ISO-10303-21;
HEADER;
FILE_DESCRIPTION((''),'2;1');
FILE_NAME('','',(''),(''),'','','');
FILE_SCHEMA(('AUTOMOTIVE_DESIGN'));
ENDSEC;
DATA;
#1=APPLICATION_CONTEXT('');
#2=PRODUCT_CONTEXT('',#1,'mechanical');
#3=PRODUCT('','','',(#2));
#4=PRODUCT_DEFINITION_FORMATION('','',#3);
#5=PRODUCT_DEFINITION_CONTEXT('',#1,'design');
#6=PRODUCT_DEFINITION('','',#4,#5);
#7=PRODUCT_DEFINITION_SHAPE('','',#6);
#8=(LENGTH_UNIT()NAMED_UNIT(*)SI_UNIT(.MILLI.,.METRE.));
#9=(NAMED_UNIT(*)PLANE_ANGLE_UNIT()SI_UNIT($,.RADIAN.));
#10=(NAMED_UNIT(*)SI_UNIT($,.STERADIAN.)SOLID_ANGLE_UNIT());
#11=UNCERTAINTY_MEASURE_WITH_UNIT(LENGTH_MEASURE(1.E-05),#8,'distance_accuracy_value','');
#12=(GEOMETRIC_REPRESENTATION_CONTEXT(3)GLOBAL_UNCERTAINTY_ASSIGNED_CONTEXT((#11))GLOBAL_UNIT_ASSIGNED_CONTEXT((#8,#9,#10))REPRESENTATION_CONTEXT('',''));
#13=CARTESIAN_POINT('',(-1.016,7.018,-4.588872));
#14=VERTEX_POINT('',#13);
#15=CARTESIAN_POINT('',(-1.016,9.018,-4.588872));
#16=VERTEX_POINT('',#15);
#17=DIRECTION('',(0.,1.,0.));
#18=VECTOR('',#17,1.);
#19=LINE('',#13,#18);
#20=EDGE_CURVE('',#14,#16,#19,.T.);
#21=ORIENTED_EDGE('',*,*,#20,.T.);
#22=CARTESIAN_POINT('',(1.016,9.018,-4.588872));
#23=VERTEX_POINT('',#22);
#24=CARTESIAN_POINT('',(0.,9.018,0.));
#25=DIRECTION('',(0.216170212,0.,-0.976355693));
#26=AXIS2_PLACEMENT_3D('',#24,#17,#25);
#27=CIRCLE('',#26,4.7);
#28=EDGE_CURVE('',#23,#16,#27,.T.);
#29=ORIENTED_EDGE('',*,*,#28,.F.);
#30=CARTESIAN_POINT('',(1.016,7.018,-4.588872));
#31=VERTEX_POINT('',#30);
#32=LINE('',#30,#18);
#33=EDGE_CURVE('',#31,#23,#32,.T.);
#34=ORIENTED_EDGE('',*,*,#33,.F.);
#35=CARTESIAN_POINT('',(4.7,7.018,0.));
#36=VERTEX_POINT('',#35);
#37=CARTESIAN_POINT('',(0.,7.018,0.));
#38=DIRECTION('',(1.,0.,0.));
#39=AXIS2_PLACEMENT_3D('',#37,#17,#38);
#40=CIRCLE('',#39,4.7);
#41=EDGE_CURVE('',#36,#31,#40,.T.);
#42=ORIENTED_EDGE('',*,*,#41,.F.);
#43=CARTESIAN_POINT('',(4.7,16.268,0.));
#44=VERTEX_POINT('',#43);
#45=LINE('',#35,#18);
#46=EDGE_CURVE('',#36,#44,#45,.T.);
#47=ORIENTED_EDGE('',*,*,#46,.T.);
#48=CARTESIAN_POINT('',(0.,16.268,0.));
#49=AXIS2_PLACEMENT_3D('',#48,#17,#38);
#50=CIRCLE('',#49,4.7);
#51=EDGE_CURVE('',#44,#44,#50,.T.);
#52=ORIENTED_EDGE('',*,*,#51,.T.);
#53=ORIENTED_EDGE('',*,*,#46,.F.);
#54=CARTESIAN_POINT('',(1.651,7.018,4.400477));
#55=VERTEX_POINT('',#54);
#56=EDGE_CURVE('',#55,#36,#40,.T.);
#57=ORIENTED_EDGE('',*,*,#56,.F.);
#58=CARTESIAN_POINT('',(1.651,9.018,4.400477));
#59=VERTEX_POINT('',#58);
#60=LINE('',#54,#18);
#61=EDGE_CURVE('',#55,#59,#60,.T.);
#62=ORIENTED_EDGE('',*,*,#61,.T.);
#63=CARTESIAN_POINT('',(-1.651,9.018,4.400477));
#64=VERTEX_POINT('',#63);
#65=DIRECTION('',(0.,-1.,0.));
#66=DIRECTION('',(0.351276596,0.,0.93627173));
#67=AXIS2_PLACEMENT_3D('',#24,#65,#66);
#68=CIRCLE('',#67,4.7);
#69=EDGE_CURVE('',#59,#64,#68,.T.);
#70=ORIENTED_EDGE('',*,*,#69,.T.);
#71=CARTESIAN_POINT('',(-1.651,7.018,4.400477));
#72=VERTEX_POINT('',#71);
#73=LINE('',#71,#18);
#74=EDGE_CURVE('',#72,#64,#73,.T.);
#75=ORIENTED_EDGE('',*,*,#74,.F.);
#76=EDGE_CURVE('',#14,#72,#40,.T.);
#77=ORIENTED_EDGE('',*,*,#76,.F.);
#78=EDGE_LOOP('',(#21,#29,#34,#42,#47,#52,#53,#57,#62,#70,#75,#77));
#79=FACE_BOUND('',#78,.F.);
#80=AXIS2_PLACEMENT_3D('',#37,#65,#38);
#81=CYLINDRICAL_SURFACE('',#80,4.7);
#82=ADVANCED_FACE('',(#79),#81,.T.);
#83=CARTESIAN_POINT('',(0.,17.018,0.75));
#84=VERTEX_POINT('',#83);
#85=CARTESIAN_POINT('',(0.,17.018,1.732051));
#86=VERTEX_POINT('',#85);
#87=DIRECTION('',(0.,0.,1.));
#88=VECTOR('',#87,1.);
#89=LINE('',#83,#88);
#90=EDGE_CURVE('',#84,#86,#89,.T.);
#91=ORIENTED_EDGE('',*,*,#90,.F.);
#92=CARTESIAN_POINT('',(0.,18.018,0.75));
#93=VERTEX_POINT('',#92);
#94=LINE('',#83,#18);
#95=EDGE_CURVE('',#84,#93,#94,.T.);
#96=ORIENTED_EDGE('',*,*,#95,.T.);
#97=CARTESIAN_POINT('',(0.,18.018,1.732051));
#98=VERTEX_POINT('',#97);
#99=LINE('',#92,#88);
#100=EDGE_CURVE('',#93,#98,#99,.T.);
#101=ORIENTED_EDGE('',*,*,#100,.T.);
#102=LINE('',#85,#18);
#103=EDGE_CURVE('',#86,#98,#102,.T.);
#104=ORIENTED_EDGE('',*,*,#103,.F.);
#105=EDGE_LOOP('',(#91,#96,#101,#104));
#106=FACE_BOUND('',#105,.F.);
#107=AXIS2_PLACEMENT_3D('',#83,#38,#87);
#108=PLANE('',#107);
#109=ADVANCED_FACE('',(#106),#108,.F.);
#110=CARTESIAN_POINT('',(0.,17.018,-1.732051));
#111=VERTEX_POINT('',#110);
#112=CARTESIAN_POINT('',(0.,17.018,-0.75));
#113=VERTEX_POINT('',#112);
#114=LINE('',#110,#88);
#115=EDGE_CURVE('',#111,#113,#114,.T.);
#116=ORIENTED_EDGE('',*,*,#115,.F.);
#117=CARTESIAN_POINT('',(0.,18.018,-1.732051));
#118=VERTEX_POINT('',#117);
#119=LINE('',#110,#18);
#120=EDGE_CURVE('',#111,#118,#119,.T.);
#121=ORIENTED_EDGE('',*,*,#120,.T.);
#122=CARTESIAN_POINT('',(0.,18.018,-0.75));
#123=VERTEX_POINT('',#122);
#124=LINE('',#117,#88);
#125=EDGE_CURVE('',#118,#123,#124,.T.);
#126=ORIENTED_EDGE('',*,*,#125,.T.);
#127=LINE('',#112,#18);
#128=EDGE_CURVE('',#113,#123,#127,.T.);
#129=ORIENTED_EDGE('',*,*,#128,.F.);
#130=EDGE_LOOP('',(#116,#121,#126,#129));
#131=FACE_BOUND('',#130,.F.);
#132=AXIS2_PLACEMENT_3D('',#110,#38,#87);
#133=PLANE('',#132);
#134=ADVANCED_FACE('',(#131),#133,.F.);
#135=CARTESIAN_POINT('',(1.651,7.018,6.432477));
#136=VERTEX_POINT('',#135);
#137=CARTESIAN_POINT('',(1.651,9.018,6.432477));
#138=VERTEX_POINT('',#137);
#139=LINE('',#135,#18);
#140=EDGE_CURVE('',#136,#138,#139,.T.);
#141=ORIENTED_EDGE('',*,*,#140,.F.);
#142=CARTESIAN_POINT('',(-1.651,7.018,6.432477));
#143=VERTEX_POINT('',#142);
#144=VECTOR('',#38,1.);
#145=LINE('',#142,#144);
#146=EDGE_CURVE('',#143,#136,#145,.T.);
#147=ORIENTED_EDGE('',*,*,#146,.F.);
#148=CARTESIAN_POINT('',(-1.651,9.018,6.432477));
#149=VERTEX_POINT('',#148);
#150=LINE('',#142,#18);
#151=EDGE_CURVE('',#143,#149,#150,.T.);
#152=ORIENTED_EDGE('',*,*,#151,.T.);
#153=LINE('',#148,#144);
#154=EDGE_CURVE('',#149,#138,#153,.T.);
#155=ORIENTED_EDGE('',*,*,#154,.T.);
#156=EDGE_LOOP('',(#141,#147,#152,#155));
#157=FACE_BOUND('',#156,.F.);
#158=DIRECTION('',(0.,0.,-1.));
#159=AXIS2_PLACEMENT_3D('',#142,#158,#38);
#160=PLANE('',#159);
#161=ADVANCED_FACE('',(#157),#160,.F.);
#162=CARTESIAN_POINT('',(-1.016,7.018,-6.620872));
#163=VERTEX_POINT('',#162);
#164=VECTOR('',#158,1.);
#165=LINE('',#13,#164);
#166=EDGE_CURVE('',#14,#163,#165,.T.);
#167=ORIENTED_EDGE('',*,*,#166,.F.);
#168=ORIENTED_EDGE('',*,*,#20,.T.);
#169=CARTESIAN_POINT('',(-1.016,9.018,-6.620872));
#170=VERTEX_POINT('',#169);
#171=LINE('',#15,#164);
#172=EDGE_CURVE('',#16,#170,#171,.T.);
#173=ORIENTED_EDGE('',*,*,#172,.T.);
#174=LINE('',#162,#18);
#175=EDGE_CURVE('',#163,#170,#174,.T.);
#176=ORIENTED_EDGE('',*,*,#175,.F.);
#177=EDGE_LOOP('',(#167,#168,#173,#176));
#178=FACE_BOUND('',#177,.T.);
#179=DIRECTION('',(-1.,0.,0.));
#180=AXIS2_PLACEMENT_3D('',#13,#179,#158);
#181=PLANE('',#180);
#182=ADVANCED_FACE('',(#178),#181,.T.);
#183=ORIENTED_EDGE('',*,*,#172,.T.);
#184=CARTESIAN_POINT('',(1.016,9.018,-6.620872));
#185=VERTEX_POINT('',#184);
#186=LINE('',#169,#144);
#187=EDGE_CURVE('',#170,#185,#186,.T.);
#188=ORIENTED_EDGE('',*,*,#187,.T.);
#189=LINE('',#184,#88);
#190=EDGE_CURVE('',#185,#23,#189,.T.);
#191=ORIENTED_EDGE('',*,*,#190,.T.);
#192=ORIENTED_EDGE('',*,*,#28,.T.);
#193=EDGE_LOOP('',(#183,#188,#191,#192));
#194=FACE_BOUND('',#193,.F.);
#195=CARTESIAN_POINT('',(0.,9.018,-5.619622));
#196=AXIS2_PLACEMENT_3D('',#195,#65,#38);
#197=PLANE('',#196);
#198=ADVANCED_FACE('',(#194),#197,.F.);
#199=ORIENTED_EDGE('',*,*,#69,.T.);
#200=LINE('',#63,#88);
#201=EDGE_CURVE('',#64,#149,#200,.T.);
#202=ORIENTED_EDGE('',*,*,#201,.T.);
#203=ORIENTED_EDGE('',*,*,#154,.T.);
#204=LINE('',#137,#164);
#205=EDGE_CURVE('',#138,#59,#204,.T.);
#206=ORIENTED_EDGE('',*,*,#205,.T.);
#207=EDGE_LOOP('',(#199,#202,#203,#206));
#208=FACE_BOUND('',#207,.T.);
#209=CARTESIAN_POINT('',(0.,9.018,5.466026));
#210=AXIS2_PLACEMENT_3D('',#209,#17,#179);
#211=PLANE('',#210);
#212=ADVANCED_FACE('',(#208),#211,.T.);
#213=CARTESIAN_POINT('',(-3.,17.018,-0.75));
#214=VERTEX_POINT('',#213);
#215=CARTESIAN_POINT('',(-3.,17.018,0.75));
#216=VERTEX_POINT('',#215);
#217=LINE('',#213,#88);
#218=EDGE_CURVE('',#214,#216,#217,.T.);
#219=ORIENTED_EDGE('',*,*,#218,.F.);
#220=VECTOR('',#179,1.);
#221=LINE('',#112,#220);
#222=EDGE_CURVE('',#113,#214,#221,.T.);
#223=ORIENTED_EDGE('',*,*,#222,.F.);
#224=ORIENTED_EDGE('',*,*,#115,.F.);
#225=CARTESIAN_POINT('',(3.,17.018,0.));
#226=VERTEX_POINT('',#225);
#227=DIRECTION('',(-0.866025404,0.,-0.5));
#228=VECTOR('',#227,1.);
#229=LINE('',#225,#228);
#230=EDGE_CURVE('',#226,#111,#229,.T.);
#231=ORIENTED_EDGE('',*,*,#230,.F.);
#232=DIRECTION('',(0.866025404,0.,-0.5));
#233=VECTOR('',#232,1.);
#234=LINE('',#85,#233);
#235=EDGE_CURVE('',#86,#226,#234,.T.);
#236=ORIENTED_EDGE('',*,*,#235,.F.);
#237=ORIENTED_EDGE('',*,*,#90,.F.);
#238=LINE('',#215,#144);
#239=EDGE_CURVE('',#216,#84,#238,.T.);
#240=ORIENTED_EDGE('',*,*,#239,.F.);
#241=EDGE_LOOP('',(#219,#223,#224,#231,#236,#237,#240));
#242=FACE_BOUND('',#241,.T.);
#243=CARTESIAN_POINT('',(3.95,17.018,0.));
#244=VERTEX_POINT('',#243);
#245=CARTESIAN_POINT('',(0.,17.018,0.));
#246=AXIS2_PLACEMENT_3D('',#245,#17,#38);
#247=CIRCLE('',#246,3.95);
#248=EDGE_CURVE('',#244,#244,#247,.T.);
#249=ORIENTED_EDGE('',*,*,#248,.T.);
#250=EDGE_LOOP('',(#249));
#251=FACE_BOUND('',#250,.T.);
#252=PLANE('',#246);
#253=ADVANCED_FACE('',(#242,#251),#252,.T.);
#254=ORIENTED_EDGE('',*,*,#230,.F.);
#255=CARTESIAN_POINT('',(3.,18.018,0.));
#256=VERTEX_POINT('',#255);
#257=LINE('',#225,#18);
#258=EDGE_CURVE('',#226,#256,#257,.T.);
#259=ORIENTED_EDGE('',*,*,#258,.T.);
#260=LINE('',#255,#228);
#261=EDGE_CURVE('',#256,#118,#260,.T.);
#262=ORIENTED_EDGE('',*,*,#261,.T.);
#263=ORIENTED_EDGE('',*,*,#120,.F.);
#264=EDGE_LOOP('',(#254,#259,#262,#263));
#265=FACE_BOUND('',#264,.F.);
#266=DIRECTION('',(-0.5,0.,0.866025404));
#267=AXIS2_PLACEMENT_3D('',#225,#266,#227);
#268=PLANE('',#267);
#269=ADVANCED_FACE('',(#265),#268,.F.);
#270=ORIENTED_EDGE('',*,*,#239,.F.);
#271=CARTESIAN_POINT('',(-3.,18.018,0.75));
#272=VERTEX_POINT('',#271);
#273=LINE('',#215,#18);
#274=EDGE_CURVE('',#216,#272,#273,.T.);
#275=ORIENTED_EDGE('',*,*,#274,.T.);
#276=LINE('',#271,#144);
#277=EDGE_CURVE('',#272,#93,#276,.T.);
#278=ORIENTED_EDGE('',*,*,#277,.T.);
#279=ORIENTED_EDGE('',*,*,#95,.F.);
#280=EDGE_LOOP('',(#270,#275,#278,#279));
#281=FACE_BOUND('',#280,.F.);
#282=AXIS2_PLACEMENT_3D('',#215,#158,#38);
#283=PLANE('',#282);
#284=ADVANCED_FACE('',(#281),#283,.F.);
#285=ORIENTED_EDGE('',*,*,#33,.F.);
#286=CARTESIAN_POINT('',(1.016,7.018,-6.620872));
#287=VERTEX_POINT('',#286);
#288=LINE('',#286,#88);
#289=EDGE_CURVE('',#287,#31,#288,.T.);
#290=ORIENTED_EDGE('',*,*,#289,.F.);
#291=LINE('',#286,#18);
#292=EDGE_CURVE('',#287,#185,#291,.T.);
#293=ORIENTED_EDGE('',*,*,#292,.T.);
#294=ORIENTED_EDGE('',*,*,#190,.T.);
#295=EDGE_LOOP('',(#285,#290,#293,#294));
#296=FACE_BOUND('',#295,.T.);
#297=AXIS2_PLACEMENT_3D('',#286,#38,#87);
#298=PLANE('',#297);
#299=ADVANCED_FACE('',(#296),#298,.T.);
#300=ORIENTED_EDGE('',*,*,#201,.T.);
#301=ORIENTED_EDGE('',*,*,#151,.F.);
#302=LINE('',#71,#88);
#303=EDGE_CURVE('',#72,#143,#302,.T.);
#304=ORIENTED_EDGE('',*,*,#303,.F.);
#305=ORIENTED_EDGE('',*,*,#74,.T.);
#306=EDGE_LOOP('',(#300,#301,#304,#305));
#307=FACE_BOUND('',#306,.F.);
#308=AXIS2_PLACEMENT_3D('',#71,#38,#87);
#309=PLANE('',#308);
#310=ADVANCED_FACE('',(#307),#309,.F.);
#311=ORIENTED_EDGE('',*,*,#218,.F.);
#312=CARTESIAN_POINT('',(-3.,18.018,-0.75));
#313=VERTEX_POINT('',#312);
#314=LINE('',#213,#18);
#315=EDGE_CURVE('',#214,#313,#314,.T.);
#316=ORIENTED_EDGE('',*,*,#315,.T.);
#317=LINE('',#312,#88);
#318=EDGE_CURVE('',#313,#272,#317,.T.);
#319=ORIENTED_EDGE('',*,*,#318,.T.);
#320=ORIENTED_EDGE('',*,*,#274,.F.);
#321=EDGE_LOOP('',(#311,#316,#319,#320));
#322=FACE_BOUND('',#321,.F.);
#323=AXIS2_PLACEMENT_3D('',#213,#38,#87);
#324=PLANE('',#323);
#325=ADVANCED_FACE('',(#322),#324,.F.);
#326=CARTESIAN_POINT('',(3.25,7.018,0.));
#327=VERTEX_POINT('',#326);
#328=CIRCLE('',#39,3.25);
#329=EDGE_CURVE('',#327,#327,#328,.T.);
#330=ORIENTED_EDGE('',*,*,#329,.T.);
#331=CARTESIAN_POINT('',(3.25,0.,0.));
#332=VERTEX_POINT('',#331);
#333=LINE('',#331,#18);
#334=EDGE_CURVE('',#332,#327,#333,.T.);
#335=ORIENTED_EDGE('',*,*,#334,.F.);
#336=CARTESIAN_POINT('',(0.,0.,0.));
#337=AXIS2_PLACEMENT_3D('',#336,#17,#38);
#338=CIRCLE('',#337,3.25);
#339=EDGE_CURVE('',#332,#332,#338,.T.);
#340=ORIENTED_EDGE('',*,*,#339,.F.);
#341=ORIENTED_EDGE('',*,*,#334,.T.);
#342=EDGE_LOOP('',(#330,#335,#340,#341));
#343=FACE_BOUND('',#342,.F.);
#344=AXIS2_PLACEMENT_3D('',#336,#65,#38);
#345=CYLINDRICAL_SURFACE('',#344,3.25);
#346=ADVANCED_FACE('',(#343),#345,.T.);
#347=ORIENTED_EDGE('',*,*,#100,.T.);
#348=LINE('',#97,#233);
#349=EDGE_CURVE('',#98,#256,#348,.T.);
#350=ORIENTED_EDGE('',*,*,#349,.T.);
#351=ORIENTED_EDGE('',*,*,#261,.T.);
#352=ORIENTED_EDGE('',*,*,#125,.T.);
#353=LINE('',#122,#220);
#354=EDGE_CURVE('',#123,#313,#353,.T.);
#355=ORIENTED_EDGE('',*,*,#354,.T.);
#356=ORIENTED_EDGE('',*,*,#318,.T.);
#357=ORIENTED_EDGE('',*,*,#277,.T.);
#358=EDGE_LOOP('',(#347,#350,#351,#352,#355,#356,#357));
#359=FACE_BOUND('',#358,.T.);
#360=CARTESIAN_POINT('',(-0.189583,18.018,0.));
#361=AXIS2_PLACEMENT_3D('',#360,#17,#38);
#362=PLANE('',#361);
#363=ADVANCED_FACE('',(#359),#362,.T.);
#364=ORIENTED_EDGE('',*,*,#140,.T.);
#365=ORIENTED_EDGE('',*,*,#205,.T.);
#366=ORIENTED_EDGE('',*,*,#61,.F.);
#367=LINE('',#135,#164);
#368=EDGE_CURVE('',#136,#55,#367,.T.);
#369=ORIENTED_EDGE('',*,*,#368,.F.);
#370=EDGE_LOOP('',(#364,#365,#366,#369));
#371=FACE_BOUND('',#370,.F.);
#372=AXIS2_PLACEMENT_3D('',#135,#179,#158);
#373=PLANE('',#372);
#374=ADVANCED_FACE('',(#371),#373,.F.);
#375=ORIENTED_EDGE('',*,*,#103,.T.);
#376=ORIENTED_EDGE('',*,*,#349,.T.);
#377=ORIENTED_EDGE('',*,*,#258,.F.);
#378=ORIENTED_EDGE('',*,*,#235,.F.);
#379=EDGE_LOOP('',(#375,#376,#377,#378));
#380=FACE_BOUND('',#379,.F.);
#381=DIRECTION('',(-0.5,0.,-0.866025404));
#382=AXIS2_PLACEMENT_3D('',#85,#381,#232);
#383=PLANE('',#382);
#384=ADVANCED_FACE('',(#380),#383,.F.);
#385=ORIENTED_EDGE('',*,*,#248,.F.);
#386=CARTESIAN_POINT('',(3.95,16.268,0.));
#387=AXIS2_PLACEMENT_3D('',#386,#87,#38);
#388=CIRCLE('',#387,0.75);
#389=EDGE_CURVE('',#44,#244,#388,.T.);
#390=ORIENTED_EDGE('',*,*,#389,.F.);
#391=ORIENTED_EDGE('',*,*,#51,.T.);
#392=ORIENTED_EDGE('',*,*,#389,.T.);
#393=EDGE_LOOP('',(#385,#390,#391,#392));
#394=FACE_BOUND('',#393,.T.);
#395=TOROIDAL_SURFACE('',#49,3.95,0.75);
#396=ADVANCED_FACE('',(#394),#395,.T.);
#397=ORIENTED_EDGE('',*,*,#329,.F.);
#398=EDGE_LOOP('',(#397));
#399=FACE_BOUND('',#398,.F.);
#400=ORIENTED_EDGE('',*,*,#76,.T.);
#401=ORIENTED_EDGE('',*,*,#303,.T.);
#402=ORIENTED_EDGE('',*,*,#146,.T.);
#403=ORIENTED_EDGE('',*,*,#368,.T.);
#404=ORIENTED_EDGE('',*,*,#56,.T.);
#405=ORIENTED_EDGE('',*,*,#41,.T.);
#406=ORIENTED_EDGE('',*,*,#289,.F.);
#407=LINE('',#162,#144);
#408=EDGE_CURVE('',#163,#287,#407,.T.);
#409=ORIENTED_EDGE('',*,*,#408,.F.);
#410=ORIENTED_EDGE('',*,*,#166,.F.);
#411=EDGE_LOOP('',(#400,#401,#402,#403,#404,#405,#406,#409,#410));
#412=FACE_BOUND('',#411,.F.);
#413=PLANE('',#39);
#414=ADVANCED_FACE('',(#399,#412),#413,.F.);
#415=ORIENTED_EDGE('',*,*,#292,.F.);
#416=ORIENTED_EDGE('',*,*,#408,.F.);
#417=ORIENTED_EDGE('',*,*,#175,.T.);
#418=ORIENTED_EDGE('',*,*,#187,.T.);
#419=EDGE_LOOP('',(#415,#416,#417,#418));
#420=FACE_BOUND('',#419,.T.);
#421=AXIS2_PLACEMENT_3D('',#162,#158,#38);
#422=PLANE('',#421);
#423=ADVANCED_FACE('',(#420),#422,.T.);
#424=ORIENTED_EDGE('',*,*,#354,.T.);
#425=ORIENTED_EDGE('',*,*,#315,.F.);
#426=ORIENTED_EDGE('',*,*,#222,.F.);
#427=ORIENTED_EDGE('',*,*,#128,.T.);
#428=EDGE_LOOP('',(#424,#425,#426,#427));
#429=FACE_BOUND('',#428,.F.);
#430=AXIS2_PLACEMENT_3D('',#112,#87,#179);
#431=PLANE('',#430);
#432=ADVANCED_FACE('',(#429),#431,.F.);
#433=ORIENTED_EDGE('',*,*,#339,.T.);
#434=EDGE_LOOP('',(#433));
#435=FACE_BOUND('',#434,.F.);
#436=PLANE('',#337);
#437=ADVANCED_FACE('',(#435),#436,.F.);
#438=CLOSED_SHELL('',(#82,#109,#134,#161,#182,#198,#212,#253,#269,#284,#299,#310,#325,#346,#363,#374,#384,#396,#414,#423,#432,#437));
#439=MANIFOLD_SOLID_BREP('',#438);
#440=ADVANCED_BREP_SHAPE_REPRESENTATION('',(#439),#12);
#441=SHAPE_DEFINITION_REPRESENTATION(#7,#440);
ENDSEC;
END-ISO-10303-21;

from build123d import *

# Parameters (mm, degrees)
SKETCH1_R           = 3.25
BOSS_EXTRUDE1_DEPTH = 7.018
SKETCH6_R           = 4.7
BOSS_EXTRUDE2_DEPTH = 10
FILLET1_R           = 0.75
BOSS_EXTRUDE3_DEPTH = 1
BOSS_EXTRUDE4_DEPTH = 2


with BuildPart() as part:
    # Sketch1 → Boss-Extrude1 (new body)
    with BuildSketch(Plane(origin=(0, 0, 0), x_dir=(1, 0, 0), z_dir=(0, 1, 0))):
        Circle(SKETCH1_R)
    extrude(amount=BOSS_EXTRUDE1_DEPTH)

    # Sketch6 → Boss-Extrude2 (add)
    with BuildSketch(Plane(origin=(0, 7.018, 0), x_dir=(1, 0, 0), z_dir=(0, 1, 0))):
        Circle(SKETCH6_R)
    extrude(amount=BOSS_EXTRUDE2_DEPTH)

    # Fillet1
    fillet1_edges = [part.edges().sort_by_distance(p)[0] for p in [
        (-4.7, 17.018, 0),
    ]]
    fillet(fillet1_edges, radius=FILLET1_R)

    # Sketch8 → Boss-Extrude3 (add)
    with BuildSketch(Plane(origin=(0, 17.018, 0), x_dir=(1, 0, 0), z_dir=(0, 1, 0))):
        Polygon((0, 0.75), (-3, 0.75), (-3, -0.75), (0, -0.75), (0, -1.732050808), (3, 0), (0, 1.732050808), align=None)
    extrude(amount=BOSS_EXTRUDE3_DEPTH)

    # Sketch9 → Boss-Extrude4 (add)
    with BuildSketch(Plane.XZ.offset(-7.018)):
        with BuildLine():
            Line((-1.651, 4.400477133), (-1.651, 6.432477133))
            Line((-1.651, 6.432477133), (1.651, 6.432477133))
            Line((1.651, 6.432477133), (1.651, 4.400477133))
            ThreePointArc((1.651, 4.400477133), (0, 4.7), (-1.651, 4.400477133))
        make_face()
        with BuildLine():
            Line((-1.016, -4.588871757), (-1.016, -6.620871757))
            Line((-1.016, -6.620871757), (1.016, -6.620871757))
            Line((1.016, -6.620871757), (1.016, -4.588871757))
            ThreePointArc((1.016, -4.588871757), (0, -4.7), (-1.016, -4.588871757))
        make_face()
    extrude(amount=-BOSS_EXTRUDE4_DEPTH)


solid = part.part
